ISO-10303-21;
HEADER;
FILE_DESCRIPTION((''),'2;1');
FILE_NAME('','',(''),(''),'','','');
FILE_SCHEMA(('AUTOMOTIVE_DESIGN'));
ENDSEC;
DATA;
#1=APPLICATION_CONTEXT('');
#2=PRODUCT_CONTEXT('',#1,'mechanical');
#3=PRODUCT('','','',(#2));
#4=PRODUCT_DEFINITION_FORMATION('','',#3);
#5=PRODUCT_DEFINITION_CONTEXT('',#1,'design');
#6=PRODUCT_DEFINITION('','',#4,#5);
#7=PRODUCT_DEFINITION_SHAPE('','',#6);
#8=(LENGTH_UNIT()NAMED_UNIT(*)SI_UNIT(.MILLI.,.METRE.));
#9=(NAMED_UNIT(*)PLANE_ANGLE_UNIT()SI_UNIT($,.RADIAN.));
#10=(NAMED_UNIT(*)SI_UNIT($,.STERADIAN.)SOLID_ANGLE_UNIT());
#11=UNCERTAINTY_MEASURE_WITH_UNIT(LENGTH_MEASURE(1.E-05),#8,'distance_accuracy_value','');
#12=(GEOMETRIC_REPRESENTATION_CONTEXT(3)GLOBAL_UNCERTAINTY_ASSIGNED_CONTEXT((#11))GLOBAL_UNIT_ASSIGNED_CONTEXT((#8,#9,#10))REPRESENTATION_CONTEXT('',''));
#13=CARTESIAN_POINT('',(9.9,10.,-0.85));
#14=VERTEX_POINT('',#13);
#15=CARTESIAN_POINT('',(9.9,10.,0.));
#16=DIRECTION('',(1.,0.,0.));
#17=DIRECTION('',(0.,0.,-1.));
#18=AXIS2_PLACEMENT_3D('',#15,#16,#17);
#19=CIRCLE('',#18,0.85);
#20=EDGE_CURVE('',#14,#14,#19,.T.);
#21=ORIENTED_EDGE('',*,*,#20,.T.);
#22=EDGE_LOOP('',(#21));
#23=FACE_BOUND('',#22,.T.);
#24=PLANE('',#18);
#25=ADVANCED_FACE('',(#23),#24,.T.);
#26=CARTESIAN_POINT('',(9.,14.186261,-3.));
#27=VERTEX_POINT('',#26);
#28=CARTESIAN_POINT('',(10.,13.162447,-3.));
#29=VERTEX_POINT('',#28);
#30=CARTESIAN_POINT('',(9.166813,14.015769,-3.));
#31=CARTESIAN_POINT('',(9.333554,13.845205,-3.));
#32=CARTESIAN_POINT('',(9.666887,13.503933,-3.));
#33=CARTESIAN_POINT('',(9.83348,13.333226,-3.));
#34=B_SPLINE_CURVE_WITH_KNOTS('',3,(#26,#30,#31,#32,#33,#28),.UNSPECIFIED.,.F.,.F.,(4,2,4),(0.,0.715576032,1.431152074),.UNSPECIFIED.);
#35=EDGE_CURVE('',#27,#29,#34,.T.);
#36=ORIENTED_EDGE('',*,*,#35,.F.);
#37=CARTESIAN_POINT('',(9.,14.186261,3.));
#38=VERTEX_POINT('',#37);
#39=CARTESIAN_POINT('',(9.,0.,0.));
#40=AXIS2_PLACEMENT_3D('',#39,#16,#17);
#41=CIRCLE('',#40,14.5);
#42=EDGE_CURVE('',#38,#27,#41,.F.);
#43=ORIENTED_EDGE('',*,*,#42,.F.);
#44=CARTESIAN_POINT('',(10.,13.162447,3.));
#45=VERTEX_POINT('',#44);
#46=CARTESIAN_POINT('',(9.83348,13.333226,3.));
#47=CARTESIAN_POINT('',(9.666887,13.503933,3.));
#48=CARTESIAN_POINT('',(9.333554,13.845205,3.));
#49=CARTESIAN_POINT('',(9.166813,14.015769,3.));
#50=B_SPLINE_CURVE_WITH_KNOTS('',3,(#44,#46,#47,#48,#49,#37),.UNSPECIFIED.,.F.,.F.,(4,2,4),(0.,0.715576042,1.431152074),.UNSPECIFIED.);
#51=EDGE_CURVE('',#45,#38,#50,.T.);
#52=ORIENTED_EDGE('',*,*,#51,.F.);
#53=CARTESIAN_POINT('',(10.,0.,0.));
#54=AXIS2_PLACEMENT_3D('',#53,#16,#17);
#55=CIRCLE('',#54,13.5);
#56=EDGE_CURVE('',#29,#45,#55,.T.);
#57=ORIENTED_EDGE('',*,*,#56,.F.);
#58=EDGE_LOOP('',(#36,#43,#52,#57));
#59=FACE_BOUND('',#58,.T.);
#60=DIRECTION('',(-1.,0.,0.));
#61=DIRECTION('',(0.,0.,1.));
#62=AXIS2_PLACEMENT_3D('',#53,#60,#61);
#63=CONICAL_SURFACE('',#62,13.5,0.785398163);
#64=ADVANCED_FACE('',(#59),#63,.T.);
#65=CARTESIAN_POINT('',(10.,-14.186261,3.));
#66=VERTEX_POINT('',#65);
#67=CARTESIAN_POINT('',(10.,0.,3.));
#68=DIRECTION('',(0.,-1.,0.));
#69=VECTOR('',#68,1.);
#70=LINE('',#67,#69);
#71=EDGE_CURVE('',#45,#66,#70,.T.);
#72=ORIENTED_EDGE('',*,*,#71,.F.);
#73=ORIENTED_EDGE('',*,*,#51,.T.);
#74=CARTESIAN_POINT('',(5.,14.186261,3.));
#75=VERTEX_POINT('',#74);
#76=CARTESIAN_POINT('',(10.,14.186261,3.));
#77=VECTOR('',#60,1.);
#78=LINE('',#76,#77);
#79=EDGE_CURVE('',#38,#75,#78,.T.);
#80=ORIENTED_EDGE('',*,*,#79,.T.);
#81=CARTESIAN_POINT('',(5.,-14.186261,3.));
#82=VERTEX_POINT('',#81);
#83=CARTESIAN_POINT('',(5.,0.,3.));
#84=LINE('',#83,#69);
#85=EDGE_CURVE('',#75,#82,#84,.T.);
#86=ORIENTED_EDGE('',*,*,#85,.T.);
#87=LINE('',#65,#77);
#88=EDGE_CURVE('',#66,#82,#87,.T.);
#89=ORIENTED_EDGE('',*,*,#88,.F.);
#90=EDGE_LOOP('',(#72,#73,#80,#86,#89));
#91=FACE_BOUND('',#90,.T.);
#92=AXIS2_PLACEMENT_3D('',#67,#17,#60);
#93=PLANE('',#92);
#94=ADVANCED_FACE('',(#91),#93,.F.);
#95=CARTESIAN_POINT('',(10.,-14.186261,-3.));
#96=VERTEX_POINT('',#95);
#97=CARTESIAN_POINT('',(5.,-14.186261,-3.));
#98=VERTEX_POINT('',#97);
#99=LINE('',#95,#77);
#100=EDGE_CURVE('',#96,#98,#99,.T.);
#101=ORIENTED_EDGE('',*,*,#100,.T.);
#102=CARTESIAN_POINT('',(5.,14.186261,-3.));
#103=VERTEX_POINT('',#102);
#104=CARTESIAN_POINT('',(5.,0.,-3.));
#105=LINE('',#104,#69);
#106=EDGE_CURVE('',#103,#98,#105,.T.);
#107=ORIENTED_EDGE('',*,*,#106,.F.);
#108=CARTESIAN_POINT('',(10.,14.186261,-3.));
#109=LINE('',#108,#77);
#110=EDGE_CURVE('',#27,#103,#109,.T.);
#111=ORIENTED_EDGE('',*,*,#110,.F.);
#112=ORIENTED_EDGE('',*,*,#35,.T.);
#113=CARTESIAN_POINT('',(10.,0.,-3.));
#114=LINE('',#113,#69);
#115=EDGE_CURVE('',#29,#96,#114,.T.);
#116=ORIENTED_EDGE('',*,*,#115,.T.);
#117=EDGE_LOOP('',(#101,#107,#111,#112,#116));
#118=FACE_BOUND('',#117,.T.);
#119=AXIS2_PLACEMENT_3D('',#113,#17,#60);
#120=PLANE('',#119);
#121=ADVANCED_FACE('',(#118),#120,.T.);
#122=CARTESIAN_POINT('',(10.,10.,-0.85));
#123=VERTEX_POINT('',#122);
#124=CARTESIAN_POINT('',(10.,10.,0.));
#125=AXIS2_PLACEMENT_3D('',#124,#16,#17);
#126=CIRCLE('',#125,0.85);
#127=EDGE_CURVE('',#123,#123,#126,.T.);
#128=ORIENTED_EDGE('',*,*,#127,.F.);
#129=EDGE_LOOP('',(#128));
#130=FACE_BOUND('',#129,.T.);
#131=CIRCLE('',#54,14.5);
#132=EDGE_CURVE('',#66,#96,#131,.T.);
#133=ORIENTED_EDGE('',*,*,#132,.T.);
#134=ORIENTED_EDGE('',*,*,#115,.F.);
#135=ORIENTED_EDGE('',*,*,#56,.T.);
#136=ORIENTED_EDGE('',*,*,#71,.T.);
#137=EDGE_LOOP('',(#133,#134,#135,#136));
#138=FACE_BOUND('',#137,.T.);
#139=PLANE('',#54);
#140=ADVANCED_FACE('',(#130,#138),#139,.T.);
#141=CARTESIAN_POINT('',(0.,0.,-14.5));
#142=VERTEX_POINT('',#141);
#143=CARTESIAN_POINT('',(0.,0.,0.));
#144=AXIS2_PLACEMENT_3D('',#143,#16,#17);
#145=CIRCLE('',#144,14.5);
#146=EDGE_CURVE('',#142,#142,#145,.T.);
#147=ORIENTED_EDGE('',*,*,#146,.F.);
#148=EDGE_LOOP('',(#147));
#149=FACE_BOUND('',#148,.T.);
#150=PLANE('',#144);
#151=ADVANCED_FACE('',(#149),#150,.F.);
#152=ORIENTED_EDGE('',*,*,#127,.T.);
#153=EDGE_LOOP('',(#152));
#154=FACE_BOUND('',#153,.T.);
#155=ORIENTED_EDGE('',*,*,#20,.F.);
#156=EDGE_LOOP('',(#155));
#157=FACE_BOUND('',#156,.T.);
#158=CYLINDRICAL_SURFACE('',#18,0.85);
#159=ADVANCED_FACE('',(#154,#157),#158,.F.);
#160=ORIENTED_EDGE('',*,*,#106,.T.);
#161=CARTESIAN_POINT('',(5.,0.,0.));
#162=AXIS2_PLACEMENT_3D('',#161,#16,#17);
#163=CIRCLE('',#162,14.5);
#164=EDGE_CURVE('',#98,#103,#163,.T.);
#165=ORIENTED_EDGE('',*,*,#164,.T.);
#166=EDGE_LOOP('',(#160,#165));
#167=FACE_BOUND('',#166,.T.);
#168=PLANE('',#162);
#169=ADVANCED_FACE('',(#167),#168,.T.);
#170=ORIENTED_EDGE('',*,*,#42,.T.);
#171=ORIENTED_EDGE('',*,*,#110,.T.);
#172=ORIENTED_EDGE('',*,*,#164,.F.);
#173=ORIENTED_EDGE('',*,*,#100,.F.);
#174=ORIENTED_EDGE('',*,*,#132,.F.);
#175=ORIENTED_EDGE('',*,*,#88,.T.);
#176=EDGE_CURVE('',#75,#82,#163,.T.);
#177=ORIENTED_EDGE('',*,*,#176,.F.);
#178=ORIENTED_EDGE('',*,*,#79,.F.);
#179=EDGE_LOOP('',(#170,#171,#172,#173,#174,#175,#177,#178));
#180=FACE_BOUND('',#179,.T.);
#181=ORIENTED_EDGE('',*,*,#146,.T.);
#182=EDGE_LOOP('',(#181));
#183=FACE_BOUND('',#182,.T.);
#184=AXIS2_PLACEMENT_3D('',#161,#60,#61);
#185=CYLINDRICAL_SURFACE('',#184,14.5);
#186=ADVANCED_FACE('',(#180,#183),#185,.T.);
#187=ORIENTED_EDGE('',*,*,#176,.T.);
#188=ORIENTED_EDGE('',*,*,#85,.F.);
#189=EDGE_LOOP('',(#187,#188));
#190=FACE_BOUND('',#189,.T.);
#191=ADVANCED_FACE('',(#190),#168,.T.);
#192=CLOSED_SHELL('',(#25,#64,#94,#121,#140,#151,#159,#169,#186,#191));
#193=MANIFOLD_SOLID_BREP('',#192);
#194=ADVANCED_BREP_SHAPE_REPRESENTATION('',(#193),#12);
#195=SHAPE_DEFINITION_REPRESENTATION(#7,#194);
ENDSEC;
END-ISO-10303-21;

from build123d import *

# Parameters (mm, degrees)
SKETCH_1_R          = 14.5
EXTRUDE_1_DEPTH     = 5
EXTRUDE_2_DEPTH     = 5
CHAMFER_1_SIZE      = 1
SKETCH_3_R          = 0.85
CUT_EXTRUDE_1_DEPTH = 0.1


with BuildPart() as part:
    # 草图1 → 凸台-拉伸1 (new body)
    with BuildSketch(Plane(origin=(0, 0, 0), x_dir=(0, 0, -1), z_dir=(1, 0, 0))):
        Circle(SKETCH_1_R)
    extrude(amount=EXTRUDE_1_DEPTH)

    # 草图2 → 凸台-拉伸2 (add)
    with BuildSketch(Plane(origin=(5, 0, 0), x_dir=(0, 0, -1), z_dir=(1, 0, 0))):
        with BuildLine():
            ThreePointArc((3, 14.186260959), (1.508180397, 14.421351944), (4.2e-08, 14.5))
            ThreePointArc((4.2e-08, 14.5), (-1.508180355, 14.421351948), (-3, 14.186260959))
            Line((-3, 14.186260959), (-3, -14.186260959))
            ThreePointArc((-3, -14.186260959), (-1.508180376, -14.421351946), (0, -14.5))
            ThreePointArc((0, -14.5), (1.508180376, -14.421351946), (3, -14.186260959))
            Line((3, -14.186260959), (3, 14.186260959))
        make_face()
    extrude(amount=EXTRUDE_2_DEPTH)

    # 倒角1
    chamfer_1_edges = [part.edges().sort_by_distance(p)[0] for p in [
        (10, 14.5, 0),
    ]]
    chamfer(chamfer_1_edges, length=CHAMFER_1_SIZE)

    # 草图3 → 切除-拉伸1 (cut)
    with BuildSketch(Plane(origin=(10, 0, 0), x_dir=(0, 0, -1), z_dir=(1, 0, 0))):
        with Locations((0, 10)):
            Circle(SKETCH_3_R)
    extrude(amount=-CUT_EXTRUDE_1_DEPTH, mode=Mode.SUBTRACT)


solid = part.part
